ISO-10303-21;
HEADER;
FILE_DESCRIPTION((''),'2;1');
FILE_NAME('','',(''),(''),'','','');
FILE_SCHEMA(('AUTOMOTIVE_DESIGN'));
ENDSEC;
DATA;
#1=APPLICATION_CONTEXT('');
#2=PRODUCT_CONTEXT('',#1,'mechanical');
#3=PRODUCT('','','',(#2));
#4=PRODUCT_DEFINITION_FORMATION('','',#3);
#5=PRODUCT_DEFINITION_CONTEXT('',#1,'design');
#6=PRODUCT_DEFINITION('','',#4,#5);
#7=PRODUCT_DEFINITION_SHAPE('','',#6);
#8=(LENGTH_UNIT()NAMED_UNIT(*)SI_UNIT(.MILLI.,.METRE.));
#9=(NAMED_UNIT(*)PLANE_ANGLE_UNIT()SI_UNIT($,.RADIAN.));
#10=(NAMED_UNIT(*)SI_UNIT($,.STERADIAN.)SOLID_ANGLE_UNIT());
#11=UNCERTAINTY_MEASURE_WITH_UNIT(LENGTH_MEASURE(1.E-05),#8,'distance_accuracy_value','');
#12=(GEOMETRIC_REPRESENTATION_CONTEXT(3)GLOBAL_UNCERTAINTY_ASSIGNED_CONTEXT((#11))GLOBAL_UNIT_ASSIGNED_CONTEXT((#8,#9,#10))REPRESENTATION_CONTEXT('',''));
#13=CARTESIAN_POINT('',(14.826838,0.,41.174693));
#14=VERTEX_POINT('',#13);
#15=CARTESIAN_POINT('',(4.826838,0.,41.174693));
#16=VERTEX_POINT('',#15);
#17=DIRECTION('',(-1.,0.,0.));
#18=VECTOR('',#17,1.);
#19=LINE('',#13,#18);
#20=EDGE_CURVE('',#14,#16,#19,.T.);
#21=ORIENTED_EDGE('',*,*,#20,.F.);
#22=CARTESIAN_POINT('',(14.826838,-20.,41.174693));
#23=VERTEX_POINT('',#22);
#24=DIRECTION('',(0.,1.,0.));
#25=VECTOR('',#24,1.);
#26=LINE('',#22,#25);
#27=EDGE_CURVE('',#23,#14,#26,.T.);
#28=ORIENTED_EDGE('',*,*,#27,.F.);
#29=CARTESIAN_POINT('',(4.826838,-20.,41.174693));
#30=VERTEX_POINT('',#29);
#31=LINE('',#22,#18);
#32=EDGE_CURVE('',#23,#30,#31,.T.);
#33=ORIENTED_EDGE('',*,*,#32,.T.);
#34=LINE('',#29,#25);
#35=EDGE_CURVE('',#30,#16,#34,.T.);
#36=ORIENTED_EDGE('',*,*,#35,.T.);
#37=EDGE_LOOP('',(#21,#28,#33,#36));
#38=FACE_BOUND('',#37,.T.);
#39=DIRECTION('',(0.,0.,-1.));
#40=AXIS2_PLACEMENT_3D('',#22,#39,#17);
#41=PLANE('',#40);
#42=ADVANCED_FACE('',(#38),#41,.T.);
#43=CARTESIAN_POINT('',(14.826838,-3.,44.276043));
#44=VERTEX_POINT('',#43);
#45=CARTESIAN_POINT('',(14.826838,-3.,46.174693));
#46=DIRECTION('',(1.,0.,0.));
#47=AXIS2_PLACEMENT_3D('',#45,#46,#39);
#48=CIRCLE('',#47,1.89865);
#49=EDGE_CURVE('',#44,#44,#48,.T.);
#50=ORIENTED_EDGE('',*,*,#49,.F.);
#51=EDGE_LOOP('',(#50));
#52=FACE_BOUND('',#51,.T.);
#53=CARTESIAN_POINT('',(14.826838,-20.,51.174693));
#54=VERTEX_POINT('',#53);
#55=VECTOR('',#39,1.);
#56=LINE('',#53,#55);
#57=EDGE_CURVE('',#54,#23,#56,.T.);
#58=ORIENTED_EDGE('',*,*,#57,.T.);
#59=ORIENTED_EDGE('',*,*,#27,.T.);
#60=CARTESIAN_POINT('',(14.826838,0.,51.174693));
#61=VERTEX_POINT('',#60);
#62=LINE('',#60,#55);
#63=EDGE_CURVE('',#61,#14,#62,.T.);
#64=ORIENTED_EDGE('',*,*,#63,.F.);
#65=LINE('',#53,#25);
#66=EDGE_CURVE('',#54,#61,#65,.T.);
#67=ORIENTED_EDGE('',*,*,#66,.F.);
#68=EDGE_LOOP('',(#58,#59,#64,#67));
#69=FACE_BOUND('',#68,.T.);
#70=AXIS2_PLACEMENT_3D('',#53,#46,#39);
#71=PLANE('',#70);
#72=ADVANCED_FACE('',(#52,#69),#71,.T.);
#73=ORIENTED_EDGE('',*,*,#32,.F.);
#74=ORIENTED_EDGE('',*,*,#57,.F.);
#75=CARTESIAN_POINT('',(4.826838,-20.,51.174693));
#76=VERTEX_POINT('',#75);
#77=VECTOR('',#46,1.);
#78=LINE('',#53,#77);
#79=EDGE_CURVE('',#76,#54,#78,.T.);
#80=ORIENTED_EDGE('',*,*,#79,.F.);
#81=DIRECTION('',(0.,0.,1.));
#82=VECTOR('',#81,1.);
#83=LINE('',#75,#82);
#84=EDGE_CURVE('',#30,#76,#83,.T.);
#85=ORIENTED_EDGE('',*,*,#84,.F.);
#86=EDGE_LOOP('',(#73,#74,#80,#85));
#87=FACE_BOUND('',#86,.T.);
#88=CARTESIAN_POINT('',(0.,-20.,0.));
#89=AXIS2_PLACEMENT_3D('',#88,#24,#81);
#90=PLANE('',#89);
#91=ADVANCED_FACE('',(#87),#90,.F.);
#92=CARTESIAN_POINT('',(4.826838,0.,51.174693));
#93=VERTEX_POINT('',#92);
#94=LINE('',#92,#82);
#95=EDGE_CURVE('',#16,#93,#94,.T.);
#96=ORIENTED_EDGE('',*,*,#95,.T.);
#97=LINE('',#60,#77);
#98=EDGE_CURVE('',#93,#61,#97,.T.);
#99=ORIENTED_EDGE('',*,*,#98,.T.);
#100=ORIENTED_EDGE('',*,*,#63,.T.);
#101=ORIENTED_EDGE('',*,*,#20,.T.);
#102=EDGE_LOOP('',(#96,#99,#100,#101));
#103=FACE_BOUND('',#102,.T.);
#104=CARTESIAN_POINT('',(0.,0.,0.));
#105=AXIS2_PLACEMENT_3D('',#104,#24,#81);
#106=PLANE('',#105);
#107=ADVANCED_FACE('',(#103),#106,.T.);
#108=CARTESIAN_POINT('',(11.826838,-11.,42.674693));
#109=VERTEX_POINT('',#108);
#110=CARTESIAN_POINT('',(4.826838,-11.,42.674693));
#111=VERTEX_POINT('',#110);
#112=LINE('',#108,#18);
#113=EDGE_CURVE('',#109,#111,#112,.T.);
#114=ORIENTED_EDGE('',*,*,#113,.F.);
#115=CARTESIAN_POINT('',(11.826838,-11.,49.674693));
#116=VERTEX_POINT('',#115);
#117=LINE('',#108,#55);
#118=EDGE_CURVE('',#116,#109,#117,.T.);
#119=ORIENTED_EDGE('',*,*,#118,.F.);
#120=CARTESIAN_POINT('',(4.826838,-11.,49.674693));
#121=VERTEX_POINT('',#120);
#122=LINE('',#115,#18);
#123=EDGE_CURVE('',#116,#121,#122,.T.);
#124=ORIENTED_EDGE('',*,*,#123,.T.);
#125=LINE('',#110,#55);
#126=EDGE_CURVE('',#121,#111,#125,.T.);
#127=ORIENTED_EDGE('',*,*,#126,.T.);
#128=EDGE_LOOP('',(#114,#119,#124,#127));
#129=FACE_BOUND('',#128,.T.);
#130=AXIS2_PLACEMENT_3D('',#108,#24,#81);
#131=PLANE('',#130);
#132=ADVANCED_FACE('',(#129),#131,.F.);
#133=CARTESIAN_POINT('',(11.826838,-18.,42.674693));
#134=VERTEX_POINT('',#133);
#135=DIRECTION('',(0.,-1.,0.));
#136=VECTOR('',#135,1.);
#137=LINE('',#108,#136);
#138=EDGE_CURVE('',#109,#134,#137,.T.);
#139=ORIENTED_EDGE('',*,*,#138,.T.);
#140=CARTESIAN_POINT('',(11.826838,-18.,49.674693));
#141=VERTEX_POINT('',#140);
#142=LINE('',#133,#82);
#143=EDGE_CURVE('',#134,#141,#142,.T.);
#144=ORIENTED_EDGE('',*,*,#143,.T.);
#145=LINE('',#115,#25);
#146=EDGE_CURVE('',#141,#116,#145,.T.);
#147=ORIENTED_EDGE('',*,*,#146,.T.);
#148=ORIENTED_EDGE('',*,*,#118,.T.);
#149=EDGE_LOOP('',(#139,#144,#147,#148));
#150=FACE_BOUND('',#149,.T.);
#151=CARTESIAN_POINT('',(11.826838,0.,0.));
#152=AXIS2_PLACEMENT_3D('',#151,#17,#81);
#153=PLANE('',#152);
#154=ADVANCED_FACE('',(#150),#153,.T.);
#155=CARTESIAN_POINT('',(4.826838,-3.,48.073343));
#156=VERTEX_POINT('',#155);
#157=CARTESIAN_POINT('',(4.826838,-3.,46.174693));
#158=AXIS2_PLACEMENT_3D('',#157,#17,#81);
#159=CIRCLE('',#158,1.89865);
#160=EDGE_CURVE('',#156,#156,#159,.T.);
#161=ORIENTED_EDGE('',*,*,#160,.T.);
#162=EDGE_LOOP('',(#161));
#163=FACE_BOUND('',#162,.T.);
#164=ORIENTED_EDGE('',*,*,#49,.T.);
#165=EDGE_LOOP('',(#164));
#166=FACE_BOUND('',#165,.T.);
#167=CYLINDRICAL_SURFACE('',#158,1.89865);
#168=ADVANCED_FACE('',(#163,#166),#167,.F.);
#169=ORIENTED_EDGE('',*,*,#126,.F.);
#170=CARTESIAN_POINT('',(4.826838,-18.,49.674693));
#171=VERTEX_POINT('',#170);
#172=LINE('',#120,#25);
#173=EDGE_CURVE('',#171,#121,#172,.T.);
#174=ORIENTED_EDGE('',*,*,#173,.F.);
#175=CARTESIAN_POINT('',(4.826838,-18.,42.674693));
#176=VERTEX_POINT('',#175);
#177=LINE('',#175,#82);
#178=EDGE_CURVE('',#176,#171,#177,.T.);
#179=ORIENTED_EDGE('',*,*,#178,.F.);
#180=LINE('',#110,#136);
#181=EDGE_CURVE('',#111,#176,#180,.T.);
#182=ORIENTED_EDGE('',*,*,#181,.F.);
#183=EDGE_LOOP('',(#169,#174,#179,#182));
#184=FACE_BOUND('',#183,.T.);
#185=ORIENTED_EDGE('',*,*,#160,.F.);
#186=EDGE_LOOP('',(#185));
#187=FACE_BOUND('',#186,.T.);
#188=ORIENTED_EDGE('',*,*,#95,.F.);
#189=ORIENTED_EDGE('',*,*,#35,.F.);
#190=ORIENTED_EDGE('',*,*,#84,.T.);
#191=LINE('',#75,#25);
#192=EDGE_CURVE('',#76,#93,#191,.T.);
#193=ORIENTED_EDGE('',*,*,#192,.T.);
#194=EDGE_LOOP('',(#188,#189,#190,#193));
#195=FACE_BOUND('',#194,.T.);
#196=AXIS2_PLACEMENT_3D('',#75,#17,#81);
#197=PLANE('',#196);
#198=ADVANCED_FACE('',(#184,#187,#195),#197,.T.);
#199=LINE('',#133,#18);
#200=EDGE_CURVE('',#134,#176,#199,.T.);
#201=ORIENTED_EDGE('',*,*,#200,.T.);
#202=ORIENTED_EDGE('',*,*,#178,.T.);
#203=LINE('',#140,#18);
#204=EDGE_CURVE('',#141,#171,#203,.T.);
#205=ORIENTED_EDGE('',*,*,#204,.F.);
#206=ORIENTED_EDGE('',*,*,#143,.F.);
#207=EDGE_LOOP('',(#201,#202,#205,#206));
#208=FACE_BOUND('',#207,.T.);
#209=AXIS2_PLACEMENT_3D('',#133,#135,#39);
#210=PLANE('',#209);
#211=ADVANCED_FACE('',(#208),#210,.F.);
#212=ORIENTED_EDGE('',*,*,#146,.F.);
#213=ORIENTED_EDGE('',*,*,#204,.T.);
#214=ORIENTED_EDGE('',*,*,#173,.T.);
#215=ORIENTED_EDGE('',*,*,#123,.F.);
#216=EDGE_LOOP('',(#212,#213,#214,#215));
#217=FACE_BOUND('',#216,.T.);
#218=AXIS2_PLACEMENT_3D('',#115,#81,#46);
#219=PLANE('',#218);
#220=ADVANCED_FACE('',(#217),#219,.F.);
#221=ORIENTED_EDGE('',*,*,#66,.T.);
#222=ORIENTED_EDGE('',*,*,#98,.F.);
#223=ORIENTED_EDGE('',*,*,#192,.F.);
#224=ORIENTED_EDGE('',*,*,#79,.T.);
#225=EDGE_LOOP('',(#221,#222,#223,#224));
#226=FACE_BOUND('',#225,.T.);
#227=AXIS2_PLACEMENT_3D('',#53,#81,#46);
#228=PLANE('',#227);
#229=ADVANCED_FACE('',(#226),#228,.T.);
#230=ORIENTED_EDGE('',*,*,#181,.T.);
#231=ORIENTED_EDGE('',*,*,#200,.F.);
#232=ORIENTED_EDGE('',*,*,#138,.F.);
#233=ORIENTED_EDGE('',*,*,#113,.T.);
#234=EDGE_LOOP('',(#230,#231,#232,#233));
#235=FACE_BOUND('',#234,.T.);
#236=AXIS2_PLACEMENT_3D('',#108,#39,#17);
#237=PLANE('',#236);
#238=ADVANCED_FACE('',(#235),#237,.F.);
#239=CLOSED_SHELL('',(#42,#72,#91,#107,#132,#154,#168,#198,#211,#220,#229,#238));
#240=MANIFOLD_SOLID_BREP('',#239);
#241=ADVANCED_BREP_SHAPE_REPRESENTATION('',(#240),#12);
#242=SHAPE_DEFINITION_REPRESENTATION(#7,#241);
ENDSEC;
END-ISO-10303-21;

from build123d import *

# Parameters (mm, degrees)
SKETCH1_W                 = 10
SKETCH1_H                 = 10
BOSS_EXTRUDE1_DEPTH       = 20
F_6_CLEARANCE_HOLE1_D     = 3.7973
F_6_CLEARANCE_HOLE1_DEPTH = 17
F_6_CLEARANCE_HOLE1_TIP   = 1.140824014
SKETCH2_W                 = 7
SKETCH2_H                 = 7
CUT_EXTRUDE1_DEPTH        = 7


with BuildPart() as part:
    # Sketch1 → Boss-Extrude1 (new body)
    with BuildSketch(Plane(origin=(0, 0, 0), x_dir=(1, 0, 0), z_dir=(0, 1, 0))):
        with Locations((9.826837964, -46.174693154)):
            Rectangle(SKETCH1_W, SKETCH1_H)
    extrude(amount=-BOSS_EXTRUDE1_DEPTH)

    # #6 Clearance Hole1
    with Locations(Plane(origin=(4.826837964, -3, 46.174693154), x_dir=(0, 0, -1), z_dir=(-1, 0, 0))):
        with Locations((0, 0)):
            Hole(F_6_CLEARANCE_HOLE1_D / 2, depth=F_6_CLEARANCE_HOLE1_DEPTH)
            with Locations((0, 0, -(F_6_CLEARANCE_HOLE1_DEPTH + F_6_CLEARANCE_HOLE1_TIP / 2))):  # 118° drill point
                Cone(0, F_6_CLEARANCE_HOLE1_D / 2, F_6_CLEARANCE_HOLE1_TIP, mode=Mode.SUBTRACT)

    # Sketch2 → Cut-Extrude1 (cut)
    with BuildSketch(Plane.ZY.offset(-4.826837964)):
        with Locations((46.174693154, -14.5)):
            Rectangle(SKETCH2_W, SKETCH2_H)
    extrude(amount=-CUT_EXTRUDE1_DEPTH, mode=Mode.SUBTRACT)


solid = part.part
